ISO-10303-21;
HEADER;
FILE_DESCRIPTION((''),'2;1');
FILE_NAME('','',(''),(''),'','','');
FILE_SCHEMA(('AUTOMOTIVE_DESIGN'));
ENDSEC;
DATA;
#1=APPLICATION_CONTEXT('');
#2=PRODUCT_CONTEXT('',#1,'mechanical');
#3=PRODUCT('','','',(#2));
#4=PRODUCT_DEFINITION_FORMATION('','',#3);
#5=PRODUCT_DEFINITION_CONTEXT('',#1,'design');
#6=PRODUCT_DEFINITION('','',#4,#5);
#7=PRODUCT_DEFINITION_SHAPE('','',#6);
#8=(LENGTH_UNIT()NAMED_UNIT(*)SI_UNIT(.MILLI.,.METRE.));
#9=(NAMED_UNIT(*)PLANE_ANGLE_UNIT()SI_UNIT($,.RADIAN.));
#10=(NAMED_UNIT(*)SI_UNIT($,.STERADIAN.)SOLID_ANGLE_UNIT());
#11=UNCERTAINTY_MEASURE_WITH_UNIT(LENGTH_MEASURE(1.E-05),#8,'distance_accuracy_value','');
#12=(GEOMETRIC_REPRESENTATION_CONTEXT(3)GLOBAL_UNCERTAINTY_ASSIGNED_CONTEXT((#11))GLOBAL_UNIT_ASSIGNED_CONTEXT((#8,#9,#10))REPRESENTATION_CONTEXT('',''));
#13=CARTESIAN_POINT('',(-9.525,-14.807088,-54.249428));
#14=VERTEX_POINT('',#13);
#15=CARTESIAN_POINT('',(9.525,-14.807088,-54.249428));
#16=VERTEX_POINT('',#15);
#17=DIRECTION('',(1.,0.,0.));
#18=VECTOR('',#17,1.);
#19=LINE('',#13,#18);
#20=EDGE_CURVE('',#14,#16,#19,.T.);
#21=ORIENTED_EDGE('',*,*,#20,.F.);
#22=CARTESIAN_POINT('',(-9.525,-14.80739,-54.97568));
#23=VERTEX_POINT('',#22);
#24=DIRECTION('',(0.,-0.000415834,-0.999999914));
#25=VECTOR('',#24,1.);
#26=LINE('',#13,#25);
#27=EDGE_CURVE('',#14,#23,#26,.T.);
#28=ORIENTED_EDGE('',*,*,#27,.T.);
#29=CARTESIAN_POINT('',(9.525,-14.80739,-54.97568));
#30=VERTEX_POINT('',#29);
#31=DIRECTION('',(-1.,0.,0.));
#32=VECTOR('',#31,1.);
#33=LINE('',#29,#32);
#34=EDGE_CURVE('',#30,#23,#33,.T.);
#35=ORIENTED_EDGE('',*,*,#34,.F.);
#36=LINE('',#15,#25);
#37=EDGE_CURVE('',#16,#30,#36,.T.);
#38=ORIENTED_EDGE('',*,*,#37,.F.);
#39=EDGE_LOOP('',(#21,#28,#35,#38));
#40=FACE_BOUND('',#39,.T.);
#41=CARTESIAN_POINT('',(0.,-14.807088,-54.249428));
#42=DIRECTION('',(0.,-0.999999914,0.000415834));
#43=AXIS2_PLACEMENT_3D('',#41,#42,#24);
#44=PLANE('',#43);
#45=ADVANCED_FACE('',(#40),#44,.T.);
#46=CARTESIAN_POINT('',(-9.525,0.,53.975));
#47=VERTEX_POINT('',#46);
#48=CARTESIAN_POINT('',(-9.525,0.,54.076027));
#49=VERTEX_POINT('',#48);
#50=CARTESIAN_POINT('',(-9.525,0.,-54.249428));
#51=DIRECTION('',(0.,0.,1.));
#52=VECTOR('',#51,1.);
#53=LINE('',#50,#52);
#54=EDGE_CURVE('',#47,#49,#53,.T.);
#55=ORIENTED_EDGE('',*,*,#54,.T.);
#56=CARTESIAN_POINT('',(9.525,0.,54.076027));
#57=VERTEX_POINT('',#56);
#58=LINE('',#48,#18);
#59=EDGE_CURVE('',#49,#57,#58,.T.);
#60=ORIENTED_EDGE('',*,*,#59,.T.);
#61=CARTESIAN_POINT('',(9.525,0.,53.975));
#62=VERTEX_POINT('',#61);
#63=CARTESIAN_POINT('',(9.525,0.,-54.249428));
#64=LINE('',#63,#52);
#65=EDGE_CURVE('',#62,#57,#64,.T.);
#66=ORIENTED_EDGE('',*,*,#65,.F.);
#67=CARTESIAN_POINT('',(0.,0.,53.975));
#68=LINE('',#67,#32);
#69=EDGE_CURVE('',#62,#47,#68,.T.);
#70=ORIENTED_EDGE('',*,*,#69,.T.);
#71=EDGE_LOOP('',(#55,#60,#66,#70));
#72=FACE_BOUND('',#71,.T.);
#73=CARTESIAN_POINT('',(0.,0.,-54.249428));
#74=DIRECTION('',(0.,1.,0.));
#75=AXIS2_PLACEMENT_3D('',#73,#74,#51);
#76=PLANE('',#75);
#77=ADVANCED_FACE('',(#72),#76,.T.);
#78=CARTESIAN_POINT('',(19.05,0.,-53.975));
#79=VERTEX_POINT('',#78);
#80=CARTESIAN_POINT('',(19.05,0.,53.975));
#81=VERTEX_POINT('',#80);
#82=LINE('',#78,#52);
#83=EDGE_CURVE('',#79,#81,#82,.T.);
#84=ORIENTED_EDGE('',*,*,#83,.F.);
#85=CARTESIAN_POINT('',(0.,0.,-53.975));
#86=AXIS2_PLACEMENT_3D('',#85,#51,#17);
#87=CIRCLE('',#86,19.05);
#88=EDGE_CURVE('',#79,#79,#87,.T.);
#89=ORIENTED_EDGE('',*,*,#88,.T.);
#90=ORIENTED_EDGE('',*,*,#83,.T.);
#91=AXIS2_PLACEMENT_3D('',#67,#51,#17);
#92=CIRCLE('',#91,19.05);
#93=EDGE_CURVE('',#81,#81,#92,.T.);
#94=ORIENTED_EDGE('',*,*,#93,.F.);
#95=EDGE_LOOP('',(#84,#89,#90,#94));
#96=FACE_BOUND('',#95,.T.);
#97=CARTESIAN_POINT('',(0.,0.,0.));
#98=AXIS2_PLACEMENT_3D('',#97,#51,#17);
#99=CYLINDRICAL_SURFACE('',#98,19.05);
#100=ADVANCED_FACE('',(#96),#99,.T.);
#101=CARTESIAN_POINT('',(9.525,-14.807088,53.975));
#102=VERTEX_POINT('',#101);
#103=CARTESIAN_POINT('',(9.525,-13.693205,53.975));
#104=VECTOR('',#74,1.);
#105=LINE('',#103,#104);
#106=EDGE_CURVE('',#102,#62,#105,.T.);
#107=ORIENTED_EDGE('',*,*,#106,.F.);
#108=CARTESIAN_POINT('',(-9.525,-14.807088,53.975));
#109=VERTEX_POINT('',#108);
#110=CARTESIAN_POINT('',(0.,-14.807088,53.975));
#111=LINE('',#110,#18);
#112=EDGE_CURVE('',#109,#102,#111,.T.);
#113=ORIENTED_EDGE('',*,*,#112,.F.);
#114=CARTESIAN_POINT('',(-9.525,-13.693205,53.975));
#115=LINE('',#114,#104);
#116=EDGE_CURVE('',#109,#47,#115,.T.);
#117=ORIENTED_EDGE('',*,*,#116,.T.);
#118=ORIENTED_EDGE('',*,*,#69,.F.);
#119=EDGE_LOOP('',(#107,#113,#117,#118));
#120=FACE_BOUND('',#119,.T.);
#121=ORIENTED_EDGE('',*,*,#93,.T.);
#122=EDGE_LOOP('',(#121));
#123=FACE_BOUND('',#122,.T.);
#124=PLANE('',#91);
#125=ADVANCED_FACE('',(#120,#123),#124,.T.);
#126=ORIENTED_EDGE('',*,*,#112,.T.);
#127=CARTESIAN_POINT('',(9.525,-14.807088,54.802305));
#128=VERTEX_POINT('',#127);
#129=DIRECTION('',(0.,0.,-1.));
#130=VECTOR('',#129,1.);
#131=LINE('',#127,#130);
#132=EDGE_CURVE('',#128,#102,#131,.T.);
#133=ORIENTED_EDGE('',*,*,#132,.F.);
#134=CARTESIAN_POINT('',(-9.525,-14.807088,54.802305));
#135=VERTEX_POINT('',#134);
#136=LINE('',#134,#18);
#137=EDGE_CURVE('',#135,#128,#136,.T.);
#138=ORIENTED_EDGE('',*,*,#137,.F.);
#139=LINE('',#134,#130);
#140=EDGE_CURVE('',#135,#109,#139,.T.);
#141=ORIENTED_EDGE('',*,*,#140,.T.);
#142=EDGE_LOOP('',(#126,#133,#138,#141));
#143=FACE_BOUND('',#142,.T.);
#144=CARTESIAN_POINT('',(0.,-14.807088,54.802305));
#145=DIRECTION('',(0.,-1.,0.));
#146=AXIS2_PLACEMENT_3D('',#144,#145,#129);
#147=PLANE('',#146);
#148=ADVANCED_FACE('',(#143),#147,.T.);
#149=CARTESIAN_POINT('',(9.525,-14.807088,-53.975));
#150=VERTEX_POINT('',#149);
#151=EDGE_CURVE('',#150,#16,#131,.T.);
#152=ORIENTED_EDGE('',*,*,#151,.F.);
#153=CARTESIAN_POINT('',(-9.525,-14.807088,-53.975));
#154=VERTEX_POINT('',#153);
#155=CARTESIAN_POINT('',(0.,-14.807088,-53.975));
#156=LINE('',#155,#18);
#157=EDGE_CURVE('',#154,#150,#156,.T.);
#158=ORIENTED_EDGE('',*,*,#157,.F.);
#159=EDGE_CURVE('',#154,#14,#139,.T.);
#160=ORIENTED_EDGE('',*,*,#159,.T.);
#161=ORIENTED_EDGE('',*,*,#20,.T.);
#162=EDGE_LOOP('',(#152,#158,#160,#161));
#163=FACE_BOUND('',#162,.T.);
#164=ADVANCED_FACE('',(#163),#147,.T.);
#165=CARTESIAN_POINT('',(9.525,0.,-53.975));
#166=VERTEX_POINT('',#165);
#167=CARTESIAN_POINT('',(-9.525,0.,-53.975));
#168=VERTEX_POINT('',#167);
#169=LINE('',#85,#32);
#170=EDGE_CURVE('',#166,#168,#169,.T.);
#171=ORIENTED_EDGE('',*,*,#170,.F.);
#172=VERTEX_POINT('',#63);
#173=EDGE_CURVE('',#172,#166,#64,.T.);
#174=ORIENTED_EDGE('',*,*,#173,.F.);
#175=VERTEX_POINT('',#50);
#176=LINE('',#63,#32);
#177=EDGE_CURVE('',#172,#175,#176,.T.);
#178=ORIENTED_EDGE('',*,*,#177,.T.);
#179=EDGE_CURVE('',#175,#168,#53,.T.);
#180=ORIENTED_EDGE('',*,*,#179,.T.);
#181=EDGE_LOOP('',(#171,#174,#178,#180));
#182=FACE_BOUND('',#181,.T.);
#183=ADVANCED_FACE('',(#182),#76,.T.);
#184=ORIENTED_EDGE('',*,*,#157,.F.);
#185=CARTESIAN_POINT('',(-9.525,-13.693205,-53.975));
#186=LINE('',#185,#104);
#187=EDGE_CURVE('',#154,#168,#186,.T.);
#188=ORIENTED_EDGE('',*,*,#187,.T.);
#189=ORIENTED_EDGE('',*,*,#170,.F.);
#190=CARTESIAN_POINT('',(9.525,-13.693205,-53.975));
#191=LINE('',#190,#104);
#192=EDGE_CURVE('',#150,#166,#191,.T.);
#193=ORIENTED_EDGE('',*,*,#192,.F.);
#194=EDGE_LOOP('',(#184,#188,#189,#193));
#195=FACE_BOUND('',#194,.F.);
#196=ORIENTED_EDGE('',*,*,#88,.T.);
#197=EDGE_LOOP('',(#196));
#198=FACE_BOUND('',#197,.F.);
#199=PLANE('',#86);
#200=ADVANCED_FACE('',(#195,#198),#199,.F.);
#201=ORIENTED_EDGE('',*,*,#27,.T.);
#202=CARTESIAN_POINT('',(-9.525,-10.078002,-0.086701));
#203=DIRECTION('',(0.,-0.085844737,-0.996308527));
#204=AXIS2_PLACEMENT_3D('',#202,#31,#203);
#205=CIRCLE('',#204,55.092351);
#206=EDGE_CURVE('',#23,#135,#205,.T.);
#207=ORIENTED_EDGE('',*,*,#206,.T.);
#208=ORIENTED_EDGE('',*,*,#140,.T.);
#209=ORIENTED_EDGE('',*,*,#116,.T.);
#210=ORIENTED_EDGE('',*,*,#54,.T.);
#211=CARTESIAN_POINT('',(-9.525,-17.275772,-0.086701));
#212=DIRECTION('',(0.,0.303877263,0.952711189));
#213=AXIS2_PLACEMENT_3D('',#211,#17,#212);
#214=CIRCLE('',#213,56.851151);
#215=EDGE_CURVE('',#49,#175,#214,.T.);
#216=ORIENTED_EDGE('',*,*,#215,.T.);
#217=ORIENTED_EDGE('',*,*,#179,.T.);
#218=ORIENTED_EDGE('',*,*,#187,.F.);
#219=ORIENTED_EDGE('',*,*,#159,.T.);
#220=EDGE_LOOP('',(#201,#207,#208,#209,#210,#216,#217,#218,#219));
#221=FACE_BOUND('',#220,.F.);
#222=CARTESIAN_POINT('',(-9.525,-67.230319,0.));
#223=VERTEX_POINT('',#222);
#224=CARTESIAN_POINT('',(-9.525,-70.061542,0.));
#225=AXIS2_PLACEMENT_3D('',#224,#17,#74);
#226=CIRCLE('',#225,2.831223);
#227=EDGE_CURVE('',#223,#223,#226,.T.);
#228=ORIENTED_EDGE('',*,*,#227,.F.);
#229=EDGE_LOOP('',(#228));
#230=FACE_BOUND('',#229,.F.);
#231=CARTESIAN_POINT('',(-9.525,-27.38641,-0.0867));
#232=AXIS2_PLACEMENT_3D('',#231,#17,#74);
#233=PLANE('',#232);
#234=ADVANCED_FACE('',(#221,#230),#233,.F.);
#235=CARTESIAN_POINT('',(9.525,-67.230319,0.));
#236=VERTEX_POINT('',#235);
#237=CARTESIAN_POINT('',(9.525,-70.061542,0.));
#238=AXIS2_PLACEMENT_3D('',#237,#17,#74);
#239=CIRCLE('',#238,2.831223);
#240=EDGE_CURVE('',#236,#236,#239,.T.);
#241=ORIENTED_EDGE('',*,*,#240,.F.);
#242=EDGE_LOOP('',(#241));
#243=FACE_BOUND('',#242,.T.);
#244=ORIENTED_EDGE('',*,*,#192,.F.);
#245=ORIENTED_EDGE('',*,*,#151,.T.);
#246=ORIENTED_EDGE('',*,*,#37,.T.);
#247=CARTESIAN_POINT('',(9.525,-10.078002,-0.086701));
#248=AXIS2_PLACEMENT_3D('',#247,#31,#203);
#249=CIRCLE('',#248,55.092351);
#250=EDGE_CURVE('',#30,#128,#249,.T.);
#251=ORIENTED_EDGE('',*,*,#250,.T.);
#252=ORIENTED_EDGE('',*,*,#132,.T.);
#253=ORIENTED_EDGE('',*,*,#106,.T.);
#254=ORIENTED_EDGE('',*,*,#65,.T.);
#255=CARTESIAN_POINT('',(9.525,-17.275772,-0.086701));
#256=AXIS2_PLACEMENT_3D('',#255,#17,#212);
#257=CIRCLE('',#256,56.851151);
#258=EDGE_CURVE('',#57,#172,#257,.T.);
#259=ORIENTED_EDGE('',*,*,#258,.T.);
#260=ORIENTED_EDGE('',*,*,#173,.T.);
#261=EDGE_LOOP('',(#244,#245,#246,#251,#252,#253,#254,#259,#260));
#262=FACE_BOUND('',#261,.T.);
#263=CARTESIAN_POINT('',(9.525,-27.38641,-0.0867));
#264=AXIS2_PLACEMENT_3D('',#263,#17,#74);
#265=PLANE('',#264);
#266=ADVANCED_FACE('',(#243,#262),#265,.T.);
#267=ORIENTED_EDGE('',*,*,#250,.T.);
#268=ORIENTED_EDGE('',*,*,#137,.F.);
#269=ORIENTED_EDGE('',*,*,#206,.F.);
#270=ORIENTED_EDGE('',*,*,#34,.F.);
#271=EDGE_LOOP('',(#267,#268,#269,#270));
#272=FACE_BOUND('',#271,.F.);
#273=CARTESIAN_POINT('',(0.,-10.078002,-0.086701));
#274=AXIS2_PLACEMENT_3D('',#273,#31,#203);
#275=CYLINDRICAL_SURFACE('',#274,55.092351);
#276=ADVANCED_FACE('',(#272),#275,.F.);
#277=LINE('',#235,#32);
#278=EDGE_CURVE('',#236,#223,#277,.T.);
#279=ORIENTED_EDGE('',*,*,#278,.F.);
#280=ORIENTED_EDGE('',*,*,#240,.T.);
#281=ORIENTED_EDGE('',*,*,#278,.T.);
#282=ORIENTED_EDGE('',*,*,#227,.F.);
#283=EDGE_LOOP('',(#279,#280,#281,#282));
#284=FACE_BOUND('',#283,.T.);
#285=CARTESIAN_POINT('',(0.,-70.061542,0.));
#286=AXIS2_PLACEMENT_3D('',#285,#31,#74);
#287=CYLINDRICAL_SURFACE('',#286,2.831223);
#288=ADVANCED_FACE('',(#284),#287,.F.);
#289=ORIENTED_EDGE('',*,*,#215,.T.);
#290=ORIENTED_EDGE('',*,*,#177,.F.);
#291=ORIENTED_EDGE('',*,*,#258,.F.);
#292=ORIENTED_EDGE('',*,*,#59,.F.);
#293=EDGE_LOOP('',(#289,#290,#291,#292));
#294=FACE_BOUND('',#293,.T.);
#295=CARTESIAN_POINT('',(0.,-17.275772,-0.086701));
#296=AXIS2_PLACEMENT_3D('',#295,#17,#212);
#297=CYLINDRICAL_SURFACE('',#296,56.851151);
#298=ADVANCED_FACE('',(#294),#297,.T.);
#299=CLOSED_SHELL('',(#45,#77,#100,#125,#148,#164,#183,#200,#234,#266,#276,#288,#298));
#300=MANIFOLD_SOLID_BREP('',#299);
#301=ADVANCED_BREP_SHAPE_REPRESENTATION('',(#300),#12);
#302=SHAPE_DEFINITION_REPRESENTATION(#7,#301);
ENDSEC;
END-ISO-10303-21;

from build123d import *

# Parameters (mm, degrees)
F0_R     = 19.05
F1_DEPTH = 53.975
F2_R     = 2.831223
F3_DEPTH = 9.525


with BuildPart() as f1:
    # F0 (on Top) → F1 (new body, symmetric)
    with BuildSketch(Plane.XY):
        Circle(F0_R)
    extrude(amount=F1_DEPTH, both=True)

    # F2 (on Right) → F3 (join, symmetric)
    with BuildSketch(Plane.YZ):
        with BuildLine():
            Line((0, -54.249428), (0, 54.076027))
            ThreePointArc((0, 54.076027), (-74.126923, -0.086701), (0, -54.249428))
        make_face()
        with Locations((-70.061542, 0)):
            Circle(F2_R, mode=Mode.SUBTRACT)
        with BuildLine():
            ThreePointArc((-14.80739, -54.97568), (-65.170353, -0.086549), (-14.807088, 54.802305))
            Line((-14.807088, 54.802305), (-14.807088, 54.076027))
            Line((-14.807088, 54.076027), (-14.807088, -54.249428))
            Line((-14.807088, -54.249428), (-14.80739, -54.97568))
        make_face(mode=Mode.SUBTRACT)
    extrude(amount=F3_DEPTH, both=True)


solid = f1.part
